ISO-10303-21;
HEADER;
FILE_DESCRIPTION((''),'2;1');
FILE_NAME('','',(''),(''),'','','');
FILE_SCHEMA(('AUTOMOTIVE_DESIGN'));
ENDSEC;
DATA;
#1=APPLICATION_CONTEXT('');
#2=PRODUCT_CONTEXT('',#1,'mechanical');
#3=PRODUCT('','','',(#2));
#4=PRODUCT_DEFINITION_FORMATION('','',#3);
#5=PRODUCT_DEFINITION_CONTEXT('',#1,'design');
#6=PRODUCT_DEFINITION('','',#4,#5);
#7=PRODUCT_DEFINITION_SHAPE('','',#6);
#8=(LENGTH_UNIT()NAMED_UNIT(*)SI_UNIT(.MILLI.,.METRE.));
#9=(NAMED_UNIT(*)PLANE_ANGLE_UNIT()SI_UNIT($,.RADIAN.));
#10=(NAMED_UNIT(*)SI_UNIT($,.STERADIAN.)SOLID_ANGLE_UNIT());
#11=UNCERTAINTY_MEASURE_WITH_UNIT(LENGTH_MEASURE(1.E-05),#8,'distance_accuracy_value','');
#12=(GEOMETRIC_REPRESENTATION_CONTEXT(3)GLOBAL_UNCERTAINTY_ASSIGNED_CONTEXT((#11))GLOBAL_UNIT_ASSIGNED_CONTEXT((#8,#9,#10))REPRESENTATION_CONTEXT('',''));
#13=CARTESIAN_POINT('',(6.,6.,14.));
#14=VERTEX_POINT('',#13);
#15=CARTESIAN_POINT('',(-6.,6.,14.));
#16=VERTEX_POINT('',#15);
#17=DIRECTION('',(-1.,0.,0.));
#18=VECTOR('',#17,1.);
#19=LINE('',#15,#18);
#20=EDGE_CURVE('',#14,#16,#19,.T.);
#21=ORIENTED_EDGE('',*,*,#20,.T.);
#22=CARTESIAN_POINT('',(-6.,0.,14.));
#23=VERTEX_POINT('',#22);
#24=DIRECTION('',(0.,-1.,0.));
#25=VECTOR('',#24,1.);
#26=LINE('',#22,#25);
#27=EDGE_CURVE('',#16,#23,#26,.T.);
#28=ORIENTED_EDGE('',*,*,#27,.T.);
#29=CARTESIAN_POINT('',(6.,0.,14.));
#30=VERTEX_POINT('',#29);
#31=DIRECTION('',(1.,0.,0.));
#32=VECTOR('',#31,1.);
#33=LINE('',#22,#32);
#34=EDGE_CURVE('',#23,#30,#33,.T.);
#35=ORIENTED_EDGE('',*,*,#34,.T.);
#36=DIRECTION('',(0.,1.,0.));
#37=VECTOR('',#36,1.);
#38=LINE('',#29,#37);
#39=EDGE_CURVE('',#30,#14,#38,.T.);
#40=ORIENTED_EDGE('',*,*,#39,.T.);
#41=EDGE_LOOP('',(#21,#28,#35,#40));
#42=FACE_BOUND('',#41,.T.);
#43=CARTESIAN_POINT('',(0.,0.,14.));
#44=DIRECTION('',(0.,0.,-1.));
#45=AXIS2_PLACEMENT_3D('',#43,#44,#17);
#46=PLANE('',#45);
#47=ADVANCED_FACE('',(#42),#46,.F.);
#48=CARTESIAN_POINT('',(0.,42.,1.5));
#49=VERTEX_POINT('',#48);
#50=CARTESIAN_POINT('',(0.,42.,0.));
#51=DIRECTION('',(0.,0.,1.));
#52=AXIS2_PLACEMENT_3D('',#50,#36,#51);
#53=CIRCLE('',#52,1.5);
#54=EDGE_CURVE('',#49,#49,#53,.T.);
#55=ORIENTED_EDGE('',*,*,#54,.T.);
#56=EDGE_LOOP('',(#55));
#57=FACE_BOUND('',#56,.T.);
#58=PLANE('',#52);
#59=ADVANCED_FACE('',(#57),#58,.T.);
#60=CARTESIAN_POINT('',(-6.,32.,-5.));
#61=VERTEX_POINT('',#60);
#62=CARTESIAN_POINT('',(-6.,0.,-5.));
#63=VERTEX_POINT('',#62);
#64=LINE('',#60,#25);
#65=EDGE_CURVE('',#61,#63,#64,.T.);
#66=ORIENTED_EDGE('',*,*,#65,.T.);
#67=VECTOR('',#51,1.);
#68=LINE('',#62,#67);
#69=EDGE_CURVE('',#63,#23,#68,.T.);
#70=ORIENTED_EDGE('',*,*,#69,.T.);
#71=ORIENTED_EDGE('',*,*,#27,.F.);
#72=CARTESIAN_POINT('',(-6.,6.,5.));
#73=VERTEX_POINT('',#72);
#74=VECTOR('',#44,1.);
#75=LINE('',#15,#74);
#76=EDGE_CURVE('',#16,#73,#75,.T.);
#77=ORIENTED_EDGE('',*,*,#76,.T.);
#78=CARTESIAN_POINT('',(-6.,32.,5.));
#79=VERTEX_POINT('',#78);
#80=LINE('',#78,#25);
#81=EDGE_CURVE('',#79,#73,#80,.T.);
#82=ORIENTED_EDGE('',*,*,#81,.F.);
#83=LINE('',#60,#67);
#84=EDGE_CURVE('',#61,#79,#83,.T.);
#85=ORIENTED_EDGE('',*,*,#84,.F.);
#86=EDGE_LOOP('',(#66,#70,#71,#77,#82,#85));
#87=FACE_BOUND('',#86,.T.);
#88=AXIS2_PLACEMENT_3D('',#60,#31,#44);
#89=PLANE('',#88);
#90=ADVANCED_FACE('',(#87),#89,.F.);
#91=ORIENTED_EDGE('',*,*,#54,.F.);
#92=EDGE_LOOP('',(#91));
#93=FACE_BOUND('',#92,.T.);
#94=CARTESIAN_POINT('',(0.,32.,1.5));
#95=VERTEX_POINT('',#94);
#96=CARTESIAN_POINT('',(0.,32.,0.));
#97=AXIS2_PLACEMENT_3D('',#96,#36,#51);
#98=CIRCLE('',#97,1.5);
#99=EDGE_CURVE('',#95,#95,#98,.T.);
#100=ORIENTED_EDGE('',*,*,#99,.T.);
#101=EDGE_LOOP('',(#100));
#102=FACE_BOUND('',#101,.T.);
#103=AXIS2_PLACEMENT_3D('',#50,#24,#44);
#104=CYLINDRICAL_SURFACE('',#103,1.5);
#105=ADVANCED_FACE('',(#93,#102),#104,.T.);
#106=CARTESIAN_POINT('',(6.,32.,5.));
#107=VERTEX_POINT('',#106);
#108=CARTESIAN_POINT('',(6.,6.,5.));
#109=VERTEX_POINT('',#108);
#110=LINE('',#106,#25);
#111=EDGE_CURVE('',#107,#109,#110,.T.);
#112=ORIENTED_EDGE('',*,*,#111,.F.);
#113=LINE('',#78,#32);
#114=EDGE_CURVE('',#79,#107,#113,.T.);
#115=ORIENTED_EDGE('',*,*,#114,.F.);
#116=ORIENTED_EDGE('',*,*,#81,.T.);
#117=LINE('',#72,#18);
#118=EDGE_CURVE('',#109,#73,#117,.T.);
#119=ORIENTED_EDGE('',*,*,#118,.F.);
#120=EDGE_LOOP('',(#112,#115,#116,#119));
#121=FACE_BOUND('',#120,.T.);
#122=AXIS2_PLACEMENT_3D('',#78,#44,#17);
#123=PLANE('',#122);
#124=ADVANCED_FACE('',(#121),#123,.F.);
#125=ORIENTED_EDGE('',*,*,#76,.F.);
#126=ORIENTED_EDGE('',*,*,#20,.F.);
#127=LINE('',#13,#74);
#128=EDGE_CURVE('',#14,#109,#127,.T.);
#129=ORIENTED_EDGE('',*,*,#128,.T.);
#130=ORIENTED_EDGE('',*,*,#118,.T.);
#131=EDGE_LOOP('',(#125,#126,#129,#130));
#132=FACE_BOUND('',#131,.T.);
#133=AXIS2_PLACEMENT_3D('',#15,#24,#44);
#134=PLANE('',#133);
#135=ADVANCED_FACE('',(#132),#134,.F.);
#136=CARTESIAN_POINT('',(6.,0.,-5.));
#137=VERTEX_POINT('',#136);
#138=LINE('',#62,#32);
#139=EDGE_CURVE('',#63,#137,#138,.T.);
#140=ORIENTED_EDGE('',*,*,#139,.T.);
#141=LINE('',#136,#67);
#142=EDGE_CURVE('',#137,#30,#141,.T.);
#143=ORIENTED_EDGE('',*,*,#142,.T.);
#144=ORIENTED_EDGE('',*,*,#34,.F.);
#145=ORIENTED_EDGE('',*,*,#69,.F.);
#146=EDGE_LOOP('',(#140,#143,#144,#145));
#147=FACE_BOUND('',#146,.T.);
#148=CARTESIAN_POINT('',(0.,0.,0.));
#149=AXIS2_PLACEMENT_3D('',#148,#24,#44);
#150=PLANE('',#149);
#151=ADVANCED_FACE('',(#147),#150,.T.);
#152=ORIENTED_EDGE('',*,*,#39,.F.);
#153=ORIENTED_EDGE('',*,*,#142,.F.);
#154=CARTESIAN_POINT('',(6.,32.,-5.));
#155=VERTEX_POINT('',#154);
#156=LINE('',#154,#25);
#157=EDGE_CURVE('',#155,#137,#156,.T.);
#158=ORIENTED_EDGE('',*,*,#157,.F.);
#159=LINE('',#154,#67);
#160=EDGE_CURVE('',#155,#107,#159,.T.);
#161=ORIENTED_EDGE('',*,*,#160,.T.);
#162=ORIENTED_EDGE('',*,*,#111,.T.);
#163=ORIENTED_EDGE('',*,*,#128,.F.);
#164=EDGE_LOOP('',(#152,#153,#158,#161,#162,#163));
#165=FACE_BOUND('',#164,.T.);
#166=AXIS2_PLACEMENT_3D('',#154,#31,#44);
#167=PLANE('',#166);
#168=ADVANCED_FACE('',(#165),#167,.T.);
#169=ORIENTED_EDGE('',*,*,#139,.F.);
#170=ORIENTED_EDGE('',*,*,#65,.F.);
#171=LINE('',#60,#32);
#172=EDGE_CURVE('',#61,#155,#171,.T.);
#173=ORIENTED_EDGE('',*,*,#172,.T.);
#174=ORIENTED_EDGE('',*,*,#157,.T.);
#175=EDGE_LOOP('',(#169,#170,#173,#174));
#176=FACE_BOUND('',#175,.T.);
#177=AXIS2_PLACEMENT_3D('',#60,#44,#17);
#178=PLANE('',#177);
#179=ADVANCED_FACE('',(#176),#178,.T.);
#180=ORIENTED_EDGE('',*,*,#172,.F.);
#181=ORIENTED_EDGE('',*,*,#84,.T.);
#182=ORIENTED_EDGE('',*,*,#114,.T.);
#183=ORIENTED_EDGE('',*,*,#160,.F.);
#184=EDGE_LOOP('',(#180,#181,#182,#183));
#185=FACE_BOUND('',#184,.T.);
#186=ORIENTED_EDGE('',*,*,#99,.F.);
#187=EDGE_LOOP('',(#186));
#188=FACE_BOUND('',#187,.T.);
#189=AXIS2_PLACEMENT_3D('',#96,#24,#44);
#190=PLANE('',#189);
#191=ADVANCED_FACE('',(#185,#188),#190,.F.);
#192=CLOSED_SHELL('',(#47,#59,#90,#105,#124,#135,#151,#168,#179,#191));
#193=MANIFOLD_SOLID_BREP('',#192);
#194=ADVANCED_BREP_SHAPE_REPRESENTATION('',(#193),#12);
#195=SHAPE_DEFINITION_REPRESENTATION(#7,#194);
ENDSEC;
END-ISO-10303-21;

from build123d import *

# Parameters (mm, degrees)
SKETCH_1_W      = 12
SKETCH_1_H      = 10
EXTRUDE_1_DEPTH = 32
SKETCH_2_R      = 1.5
EXTRUDE_2_DEPTH = 10
SKETCH_3_W      = 12
SKETCH_3_H      = 6
EXTRUDE_3_DEPTH = 9


with BuildPart() as part:
    # 草图1 → 凸台-拉伸1 (new body)
    with BuildSketch(Plane(origin=(0, 0, 0), x_dir=(1, 0, 0), z_dir=(0, 1, 0))):
        Rectangle(SKETCH_1_W, SKETCH_1_H)
    extrude(amount=EXTRUDE_1_DEPTH)

    # 草图2 → 凸台-拉伸2 (add)
    with BuildSketch(Plane(origin=(0, 32, 0), x_dir=(1, 0, 0), z_dir=(0, 1, 0))):
        with Locations(Location((0, 0, 0), (0, 0, 270))):
            Circle(SKETCH_2_R)
    extrude(amount=EXTRUDE_2_DEPTH)

    # 草图3 → 凸台-拉伸3 (add)
    with BuildSketch(Plane.XY.offset(5)):
        with Locations((0, 3)):
            Rectangle(SKETCH_3_W, SKETCH_3_H)
    extrude(amount=EXTRUDE_3_DEPTH)


solid = part.part
